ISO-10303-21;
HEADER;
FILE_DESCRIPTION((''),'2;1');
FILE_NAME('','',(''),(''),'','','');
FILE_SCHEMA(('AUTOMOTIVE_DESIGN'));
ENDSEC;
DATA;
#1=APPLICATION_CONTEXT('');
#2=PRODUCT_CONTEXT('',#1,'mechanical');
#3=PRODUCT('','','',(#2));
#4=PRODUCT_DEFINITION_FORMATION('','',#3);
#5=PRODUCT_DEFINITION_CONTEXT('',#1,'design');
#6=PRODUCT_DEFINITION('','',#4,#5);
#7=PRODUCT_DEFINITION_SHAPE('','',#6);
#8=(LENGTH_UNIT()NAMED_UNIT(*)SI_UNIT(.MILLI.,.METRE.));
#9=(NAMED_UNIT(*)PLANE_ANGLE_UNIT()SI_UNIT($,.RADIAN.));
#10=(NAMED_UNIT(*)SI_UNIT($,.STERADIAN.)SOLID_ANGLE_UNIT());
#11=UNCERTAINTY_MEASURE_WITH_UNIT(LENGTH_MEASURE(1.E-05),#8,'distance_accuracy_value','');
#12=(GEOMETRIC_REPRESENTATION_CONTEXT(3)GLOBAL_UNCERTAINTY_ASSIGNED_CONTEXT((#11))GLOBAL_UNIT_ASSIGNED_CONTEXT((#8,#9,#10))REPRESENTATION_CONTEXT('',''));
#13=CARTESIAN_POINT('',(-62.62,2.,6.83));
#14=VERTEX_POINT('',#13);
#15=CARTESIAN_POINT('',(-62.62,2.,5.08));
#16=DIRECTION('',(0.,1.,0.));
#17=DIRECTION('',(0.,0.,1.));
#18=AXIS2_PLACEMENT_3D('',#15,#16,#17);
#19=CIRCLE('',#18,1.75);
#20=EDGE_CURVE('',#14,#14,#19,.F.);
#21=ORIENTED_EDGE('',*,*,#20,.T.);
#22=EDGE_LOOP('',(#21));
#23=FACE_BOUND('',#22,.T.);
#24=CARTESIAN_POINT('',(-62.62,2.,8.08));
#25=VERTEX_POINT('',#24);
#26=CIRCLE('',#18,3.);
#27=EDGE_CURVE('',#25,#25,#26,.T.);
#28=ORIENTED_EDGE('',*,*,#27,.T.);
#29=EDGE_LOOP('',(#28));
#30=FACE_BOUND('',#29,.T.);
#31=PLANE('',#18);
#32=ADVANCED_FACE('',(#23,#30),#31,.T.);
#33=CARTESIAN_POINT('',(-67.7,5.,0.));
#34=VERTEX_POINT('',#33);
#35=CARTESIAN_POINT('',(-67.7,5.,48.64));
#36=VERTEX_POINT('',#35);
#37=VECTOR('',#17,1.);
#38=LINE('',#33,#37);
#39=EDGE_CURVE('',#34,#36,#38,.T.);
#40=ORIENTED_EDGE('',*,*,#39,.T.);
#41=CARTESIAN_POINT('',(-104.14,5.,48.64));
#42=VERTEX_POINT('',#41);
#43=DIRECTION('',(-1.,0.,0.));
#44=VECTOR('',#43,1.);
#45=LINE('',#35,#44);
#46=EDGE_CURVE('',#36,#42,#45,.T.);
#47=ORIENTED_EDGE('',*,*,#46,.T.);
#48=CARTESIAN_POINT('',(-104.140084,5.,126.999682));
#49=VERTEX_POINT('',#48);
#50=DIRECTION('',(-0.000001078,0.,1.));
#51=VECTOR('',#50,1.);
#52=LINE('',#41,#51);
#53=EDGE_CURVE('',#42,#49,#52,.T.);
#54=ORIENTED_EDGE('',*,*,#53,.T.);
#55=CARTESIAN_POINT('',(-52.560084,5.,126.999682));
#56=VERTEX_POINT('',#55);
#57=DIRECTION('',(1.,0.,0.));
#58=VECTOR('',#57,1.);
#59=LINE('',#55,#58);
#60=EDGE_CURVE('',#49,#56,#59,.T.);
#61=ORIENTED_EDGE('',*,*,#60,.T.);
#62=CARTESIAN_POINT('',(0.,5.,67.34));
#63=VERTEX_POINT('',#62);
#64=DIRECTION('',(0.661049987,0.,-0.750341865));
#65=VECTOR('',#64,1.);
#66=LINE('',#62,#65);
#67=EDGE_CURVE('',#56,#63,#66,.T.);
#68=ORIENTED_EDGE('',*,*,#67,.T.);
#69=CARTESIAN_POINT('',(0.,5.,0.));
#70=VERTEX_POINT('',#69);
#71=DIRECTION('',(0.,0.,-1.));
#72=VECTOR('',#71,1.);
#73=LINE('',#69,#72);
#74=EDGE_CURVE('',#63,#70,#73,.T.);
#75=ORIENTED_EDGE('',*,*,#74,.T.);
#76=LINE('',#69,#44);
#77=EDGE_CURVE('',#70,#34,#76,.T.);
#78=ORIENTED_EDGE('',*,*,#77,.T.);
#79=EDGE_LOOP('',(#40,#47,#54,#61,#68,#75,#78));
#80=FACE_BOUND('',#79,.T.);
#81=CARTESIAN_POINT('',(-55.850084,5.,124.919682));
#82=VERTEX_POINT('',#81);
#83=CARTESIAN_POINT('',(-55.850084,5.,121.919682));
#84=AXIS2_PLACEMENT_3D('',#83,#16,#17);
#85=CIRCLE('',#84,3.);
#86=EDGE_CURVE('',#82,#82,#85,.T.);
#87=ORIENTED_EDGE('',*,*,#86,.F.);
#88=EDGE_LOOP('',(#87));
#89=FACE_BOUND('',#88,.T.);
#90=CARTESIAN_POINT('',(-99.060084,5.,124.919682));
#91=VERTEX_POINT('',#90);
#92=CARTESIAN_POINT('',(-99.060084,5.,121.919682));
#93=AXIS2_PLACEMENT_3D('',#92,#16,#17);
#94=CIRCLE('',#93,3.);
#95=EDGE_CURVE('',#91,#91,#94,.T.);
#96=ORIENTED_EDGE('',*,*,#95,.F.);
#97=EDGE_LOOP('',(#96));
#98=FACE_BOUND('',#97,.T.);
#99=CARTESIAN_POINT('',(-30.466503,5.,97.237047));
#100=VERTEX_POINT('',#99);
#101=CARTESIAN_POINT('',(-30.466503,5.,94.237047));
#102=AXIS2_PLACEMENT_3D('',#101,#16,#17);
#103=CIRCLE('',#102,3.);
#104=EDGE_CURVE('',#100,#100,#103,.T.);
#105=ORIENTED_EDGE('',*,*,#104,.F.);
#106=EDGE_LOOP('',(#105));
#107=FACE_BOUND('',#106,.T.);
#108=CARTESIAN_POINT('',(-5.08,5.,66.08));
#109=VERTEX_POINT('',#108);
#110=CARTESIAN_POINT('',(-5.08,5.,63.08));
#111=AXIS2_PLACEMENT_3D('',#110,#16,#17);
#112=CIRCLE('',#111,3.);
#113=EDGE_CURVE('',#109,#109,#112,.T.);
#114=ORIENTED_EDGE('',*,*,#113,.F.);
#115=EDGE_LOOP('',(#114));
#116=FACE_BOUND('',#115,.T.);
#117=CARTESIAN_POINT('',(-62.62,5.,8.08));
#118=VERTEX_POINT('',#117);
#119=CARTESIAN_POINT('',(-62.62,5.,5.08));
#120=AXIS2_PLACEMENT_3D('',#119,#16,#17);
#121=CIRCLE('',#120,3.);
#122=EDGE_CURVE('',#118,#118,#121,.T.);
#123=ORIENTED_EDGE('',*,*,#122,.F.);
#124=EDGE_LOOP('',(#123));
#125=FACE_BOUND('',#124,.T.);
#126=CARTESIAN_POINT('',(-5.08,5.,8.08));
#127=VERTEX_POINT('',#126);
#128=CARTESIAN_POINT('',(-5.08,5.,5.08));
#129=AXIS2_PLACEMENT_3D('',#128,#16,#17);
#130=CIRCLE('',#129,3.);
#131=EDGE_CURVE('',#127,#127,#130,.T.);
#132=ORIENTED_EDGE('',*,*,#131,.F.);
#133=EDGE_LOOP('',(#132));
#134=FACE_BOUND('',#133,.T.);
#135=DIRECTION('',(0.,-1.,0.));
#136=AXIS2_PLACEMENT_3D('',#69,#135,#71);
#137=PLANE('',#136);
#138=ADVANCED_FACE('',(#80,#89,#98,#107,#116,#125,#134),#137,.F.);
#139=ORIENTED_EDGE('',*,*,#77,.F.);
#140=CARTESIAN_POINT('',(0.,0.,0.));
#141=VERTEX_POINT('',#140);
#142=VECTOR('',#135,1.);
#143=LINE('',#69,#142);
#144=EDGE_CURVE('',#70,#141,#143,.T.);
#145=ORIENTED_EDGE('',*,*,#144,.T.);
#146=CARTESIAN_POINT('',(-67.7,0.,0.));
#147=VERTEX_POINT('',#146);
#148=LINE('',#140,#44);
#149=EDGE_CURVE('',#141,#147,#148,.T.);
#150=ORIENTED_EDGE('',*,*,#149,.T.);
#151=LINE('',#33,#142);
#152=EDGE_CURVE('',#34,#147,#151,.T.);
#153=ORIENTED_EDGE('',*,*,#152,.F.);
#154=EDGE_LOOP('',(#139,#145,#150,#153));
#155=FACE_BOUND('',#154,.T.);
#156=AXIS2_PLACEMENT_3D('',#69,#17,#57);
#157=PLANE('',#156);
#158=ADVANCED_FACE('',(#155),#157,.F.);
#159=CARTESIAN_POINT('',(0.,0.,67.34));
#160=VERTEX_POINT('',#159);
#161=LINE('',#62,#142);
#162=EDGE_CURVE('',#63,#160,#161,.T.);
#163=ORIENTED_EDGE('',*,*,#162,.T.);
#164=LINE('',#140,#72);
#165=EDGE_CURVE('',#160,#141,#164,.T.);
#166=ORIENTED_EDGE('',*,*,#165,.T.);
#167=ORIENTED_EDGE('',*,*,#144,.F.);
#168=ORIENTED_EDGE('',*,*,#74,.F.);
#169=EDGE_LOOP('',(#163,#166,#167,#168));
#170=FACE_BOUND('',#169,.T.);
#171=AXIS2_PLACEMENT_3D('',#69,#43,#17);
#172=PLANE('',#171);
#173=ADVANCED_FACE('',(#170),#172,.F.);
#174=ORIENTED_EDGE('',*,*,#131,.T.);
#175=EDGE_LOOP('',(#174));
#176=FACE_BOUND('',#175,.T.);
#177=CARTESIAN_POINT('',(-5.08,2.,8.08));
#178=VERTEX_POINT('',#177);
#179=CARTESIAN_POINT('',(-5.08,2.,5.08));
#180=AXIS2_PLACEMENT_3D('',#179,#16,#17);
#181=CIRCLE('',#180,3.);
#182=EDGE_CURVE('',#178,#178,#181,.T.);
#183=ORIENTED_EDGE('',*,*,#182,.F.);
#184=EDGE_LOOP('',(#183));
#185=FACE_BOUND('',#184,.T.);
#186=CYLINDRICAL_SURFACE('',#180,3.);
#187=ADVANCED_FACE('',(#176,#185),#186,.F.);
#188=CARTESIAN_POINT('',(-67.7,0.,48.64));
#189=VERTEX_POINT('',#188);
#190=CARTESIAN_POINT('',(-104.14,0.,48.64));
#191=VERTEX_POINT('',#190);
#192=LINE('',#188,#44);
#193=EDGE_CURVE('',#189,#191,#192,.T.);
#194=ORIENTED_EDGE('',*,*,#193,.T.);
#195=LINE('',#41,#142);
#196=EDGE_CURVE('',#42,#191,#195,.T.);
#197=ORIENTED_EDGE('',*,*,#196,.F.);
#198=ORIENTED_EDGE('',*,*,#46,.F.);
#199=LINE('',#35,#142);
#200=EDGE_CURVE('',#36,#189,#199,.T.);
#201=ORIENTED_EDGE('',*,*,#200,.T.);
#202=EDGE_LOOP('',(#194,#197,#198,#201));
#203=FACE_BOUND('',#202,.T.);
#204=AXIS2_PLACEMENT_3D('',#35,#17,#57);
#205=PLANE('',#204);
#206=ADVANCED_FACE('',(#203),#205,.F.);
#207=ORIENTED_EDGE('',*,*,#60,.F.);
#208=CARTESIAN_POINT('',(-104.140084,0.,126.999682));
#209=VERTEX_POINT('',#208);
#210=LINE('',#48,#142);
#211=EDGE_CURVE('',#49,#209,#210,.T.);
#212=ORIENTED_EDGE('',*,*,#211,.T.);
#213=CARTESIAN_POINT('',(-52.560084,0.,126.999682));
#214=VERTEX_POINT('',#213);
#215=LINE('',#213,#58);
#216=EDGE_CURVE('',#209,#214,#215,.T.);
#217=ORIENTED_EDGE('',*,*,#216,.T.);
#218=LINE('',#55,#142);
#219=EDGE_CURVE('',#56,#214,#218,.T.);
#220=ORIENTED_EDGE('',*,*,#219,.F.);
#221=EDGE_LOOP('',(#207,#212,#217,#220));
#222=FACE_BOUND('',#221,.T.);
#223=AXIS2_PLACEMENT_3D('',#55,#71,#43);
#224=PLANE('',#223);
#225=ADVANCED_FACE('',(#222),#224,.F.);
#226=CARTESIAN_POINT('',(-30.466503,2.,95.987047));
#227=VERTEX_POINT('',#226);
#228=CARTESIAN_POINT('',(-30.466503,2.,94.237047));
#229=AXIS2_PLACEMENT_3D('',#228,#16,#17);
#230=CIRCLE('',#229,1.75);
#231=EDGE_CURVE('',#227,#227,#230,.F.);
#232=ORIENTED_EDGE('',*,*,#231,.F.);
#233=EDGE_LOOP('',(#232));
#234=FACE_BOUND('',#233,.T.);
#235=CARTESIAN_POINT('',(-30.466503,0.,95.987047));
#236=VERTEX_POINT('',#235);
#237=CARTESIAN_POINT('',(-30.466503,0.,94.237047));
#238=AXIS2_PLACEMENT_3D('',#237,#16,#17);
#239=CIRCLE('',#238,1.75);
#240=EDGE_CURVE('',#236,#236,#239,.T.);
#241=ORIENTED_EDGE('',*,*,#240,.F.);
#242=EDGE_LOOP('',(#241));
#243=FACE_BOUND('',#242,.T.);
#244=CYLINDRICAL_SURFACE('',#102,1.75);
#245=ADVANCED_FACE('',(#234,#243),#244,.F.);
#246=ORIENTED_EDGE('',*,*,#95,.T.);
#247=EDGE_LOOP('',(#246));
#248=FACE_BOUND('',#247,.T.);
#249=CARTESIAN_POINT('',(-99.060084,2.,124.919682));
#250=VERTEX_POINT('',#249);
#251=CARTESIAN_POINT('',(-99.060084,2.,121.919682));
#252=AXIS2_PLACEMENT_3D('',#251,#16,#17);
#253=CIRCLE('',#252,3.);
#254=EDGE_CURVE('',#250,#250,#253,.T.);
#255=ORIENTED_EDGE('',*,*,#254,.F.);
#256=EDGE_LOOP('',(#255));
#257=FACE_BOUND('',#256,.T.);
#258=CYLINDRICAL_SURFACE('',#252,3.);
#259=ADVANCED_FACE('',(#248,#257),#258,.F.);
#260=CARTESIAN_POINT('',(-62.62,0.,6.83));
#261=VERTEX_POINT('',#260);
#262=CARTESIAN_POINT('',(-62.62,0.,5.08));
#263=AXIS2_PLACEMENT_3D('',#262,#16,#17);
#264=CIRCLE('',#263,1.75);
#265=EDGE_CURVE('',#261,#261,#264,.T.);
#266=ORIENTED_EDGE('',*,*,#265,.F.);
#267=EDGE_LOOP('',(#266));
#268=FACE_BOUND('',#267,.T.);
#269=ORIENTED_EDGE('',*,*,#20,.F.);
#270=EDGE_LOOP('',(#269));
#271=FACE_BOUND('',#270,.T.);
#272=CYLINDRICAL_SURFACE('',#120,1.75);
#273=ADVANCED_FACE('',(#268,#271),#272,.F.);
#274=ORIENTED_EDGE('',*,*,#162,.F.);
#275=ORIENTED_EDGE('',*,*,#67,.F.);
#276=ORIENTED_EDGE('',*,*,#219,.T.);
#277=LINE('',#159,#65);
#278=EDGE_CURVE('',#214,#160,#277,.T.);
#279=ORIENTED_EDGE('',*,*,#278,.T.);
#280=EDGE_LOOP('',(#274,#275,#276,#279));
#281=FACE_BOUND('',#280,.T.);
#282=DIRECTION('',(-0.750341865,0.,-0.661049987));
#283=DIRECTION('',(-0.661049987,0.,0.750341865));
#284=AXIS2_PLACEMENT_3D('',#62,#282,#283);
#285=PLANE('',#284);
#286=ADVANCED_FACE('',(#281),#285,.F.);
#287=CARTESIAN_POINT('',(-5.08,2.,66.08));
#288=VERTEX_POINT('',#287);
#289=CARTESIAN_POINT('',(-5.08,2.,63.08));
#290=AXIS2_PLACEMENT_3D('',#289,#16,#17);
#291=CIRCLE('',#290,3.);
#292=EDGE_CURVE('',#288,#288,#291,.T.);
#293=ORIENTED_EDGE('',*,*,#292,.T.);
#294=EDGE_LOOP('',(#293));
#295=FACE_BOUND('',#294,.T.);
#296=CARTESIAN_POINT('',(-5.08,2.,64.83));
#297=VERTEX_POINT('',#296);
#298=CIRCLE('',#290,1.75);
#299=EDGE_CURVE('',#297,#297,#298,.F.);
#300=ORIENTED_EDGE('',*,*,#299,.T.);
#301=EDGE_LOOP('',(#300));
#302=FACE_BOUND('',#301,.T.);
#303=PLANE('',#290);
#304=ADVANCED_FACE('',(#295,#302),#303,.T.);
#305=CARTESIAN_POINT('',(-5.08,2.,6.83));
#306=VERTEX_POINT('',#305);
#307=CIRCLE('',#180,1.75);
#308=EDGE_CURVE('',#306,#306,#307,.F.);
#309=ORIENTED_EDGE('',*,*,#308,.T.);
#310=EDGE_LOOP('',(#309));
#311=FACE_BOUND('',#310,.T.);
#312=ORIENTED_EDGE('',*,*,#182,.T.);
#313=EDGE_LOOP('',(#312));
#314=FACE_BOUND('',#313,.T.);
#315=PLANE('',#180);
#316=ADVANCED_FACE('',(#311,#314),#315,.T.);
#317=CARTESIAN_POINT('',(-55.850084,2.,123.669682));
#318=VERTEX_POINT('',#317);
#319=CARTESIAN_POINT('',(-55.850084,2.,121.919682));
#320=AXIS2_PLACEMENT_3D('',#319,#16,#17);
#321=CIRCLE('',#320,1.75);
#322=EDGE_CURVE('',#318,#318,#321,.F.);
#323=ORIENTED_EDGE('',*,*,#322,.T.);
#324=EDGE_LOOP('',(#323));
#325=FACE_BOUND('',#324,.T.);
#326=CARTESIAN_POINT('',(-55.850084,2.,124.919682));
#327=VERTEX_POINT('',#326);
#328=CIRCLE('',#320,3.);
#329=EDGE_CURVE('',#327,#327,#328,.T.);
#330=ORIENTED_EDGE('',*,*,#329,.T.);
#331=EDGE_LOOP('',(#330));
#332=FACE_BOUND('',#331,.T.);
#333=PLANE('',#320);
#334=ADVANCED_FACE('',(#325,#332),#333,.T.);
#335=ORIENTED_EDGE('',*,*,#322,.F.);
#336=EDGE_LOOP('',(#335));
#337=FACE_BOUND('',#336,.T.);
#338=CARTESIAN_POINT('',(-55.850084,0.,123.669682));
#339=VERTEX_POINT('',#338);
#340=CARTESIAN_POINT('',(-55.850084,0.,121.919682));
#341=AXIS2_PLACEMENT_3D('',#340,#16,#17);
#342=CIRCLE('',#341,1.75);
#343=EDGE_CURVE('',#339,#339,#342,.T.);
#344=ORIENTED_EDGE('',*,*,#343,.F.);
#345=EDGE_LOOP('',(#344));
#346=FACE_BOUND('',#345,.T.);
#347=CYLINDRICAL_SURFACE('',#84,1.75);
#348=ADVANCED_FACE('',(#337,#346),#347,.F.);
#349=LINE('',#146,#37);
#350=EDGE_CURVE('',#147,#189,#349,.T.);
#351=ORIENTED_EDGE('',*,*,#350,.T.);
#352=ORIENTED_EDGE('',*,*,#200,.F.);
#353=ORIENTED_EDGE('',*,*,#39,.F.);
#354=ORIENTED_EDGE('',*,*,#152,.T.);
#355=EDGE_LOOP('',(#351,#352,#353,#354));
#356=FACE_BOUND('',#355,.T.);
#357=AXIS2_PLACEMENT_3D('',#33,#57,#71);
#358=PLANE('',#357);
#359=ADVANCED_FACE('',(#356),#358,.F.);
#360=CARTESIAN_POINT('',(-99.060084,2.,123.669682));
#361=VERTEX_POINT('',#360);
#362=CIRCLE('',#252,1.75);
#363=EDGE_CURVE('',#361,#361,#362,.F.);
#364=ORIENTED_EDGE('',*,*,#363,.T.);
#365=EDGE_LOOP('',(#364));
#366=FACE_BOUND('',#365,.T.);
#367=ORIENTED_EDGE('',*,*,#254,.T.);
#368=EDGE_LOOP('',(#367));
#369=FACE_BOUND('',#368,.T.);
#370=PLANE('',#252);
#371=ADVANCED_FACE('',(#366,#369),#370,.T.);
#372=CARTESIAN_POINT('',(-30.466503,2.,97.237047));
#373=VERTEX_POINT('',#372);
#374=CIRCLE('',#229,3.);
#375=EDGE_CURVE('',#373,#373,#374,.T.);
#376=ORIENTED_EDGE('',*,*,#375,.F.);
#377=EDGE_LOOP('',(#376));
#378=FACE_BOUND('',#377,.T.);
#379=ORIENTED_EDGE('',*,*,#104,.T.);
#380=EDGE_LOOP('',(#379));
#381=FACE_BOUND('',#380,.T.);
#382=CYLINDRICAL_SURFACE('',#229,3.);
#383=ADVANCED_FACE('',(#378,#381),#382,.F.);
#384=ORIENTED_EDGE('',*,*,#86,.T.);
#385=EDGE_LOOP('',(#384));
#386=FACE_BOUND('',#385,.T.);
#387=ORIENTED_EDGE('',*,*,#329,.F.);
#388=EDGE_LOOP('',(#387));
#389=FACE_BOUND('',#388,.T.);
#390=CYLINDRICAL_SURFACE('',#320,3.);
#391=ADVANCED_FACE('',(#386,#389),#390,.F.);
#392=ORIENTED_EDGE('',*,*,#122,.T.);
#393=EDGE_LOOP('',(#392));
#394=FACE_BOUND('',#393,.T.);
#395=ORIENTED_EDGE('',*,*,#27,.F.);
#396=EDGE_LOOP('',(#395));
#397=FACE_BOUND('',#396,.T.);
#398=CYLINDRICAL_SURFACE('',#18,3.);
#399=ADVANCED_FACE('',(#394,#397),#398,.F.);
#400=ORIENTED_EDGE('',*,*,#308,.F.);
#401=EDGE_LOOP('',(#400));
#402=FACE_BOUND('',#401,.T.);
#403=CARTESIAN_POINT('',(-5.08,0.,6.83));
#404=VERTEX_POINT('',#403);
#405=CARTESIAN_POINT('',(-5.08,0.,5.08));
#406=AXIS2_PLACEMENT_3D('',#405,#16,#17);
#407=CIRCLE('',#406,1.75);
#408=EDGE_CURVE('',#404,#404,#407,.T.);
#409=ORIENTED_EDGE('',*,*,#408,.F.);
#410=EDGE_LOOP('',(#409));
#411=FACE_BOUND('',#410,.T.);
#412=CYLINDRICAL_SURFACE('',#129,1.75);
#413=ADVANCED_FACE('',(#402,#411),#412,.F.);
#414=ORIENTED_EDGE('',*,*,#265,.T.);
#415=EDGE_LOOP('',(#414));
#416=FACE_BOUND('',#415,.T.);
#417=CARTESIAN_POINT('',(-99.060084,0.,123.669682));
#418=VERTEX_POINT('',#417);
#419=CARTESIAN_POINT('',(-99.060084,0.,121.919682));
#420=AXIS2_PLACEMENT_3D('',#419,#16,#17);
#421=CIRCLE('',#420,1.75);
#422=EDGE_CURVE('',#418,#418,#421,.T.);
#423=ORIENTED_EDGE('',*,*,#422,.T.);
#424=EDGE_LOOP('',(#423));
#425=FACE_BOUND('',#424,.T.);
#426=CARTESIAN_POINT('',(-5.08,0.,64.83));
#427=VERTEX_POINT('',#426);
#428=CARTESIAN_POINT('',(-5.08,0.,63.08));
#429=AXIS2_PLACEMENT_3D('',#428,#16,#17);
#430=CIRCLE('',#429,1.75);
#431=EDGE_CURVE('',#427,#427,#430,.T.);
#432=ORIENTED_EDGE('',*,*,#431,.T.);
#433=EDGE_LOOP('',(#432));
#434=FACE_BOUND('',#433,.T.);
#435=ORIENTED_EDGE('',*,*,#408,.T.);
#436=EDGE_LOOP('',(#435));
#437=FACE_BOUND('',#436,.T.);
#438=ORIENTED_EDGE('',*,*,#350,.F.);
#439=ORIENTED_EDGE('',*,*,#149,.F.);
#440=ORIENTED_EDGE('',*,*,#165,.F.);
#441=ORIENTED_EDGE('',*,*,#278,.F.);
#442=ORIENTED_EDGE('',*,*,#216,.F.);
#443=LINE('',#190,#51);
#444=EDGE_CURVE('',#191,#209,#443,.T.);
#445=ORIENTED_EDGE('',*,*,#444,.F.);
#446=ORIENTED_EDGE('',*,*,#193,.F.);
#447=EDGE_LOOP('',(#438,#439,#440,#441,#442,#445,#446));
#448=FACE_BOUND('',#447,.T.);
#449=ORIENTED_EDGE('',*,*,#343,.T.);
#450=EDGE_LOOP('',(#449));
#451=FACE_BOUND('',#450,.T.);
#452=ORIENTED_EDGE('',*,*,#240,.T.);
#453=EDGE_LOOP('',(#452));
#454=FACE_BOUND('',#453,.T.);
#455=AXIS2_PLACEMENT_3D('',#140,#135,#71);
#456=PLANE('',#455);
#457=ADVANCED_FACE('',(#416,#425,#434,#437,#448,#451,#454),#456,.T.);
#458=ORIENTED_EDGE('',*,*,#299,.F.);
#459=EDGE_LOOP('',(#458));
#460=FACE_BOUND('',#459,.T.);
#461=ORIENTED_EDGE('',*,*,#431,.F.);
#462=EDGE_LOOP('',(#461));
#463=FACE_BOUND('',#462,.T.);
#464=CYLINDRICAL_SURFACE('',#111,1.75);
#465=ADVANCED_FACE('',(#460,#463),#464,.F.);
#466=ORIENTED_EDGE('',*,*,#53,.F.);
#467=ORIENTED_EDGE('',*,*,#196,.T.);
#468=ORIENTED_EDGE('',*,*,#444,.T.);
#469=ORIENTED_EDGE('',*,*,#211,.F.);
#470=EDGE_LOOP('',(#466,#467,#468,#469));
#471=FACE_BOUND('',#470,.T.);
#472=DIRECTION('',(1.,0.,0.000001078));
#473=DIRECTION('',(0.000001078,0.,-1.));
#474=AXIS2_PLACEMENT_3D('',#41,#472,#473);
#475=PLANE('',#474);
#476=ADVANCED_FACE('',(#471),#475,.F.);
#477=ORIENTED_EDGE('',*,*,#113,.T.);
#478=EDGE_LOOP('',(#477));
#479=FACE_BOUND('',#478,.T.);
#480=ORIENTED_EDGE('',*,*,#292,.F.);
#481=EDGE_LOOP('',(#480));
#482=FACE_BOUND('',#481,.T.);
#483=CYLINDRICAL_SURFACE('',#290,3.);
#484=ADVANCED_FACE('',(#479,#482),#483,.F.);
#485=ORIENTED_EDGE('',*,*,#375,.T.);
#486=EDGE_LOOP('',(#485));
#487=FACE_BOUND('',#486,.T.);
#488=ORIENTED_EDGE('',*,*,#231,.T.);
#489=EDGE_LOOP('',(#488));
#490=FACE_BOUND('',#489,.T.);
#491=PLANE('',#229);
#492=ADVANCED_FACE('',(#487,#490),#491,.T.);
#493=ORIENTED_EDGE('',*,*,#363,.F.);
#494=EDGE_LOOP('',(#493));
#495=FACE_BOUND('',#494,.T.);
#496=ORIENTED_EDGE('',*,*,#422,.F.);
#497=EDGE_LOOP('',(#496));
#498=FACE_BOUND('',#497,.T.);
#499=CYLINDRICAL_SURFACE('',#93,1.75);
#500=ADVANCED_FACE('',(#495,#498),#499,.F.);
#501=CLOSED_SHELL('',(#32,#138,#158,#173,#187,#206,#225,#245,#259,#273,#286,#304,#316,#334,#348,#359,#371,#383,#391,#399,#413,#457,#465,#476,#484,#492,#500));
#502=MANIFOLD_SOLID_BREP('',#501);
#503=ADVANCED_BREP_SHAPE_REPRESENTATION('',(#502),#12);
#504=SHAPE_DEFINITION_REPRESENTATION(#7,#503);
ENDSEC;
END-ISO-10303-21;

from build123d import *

# Parameters (mm, degrees)
BOSS_EXTRUDE1_DEPTH   = 5
F_4_0MM_DOWEL_HOLE1_D = 3.5
SKETCH4_R             = 3
CUT_EXTRUDE1_DEPTH    = 3


with BuildPart() as part:
    # Sketch1 → Boss-Extrude1 (new body)
    with BuildSketch(Plane(origin=(0, 0, 0), x_dir=(1, 0, 0), z_dir=(0, 1, 0))):
        Polygon((0, 0), (-67.7, 0), (-67.7, -48.64), (-104.14, -48.64), (-104.140084457, -126.999681711), (-52.560084457, -126.999681711), (0, -67.34), align=None)
    extrude(amount=BOSS_EXTRUDE1_DEPTH)

    # Ø4.0mm Dowel Hole1 (through all)
    with Locations(Plane(origin=(-99.060084457, 5, 121.919681711), x_dir=(0, 0, 1), z_dir=(0, 1, 0))):
        with Locations((0, 0), (0, 43.21), (-58.839681711, 93.980084457), (-27.682634748, 68.593581655), (-116.839681711, 93.980084457), (-116.839681711, 36.440084457)):
            Hole(F_4_0MM_DOWEL_HOLE1_D / 2)

    # Sketch4 → Cut-Extrude1 (cut)
    with BuildSketch(Plane(origin=(0, 5, 0), x_dir=(1, 0, 0), z_dir=(0, 1, 0))):
        with Locations(Location((-99.060084457, -121.919681711, 0), (0, 0, 270))):
            Circle(SKETCH4_R)
        with Locations(Location((-55.850084457, -121.919681711, 0), (0, 0, 270))):
            Circle(SKETCH4_R)
        with Locations(Location((-30.466502802, -94.237046963, 0), (0, 0, 270))):
            Circle(SKETCH4_R)
        with Locations(Location((-5.08, -63.08, 0), (0, 0, 270))):
            Circle(SKETCH4_R)
        with Locations(Location((-5.08, -5.08, 0), (0, 0, 270))):
            Circle(SKETCH4_R)
        with Locations(Location((-62.62, -5.08, 0), (0, 0, 270))):
            Circle(SKETCH4_R)
    extrude(amount=-CUT_EXTRUDE1_DEPTH, mode=Mode.SUBTRACT)


solid = part.part
